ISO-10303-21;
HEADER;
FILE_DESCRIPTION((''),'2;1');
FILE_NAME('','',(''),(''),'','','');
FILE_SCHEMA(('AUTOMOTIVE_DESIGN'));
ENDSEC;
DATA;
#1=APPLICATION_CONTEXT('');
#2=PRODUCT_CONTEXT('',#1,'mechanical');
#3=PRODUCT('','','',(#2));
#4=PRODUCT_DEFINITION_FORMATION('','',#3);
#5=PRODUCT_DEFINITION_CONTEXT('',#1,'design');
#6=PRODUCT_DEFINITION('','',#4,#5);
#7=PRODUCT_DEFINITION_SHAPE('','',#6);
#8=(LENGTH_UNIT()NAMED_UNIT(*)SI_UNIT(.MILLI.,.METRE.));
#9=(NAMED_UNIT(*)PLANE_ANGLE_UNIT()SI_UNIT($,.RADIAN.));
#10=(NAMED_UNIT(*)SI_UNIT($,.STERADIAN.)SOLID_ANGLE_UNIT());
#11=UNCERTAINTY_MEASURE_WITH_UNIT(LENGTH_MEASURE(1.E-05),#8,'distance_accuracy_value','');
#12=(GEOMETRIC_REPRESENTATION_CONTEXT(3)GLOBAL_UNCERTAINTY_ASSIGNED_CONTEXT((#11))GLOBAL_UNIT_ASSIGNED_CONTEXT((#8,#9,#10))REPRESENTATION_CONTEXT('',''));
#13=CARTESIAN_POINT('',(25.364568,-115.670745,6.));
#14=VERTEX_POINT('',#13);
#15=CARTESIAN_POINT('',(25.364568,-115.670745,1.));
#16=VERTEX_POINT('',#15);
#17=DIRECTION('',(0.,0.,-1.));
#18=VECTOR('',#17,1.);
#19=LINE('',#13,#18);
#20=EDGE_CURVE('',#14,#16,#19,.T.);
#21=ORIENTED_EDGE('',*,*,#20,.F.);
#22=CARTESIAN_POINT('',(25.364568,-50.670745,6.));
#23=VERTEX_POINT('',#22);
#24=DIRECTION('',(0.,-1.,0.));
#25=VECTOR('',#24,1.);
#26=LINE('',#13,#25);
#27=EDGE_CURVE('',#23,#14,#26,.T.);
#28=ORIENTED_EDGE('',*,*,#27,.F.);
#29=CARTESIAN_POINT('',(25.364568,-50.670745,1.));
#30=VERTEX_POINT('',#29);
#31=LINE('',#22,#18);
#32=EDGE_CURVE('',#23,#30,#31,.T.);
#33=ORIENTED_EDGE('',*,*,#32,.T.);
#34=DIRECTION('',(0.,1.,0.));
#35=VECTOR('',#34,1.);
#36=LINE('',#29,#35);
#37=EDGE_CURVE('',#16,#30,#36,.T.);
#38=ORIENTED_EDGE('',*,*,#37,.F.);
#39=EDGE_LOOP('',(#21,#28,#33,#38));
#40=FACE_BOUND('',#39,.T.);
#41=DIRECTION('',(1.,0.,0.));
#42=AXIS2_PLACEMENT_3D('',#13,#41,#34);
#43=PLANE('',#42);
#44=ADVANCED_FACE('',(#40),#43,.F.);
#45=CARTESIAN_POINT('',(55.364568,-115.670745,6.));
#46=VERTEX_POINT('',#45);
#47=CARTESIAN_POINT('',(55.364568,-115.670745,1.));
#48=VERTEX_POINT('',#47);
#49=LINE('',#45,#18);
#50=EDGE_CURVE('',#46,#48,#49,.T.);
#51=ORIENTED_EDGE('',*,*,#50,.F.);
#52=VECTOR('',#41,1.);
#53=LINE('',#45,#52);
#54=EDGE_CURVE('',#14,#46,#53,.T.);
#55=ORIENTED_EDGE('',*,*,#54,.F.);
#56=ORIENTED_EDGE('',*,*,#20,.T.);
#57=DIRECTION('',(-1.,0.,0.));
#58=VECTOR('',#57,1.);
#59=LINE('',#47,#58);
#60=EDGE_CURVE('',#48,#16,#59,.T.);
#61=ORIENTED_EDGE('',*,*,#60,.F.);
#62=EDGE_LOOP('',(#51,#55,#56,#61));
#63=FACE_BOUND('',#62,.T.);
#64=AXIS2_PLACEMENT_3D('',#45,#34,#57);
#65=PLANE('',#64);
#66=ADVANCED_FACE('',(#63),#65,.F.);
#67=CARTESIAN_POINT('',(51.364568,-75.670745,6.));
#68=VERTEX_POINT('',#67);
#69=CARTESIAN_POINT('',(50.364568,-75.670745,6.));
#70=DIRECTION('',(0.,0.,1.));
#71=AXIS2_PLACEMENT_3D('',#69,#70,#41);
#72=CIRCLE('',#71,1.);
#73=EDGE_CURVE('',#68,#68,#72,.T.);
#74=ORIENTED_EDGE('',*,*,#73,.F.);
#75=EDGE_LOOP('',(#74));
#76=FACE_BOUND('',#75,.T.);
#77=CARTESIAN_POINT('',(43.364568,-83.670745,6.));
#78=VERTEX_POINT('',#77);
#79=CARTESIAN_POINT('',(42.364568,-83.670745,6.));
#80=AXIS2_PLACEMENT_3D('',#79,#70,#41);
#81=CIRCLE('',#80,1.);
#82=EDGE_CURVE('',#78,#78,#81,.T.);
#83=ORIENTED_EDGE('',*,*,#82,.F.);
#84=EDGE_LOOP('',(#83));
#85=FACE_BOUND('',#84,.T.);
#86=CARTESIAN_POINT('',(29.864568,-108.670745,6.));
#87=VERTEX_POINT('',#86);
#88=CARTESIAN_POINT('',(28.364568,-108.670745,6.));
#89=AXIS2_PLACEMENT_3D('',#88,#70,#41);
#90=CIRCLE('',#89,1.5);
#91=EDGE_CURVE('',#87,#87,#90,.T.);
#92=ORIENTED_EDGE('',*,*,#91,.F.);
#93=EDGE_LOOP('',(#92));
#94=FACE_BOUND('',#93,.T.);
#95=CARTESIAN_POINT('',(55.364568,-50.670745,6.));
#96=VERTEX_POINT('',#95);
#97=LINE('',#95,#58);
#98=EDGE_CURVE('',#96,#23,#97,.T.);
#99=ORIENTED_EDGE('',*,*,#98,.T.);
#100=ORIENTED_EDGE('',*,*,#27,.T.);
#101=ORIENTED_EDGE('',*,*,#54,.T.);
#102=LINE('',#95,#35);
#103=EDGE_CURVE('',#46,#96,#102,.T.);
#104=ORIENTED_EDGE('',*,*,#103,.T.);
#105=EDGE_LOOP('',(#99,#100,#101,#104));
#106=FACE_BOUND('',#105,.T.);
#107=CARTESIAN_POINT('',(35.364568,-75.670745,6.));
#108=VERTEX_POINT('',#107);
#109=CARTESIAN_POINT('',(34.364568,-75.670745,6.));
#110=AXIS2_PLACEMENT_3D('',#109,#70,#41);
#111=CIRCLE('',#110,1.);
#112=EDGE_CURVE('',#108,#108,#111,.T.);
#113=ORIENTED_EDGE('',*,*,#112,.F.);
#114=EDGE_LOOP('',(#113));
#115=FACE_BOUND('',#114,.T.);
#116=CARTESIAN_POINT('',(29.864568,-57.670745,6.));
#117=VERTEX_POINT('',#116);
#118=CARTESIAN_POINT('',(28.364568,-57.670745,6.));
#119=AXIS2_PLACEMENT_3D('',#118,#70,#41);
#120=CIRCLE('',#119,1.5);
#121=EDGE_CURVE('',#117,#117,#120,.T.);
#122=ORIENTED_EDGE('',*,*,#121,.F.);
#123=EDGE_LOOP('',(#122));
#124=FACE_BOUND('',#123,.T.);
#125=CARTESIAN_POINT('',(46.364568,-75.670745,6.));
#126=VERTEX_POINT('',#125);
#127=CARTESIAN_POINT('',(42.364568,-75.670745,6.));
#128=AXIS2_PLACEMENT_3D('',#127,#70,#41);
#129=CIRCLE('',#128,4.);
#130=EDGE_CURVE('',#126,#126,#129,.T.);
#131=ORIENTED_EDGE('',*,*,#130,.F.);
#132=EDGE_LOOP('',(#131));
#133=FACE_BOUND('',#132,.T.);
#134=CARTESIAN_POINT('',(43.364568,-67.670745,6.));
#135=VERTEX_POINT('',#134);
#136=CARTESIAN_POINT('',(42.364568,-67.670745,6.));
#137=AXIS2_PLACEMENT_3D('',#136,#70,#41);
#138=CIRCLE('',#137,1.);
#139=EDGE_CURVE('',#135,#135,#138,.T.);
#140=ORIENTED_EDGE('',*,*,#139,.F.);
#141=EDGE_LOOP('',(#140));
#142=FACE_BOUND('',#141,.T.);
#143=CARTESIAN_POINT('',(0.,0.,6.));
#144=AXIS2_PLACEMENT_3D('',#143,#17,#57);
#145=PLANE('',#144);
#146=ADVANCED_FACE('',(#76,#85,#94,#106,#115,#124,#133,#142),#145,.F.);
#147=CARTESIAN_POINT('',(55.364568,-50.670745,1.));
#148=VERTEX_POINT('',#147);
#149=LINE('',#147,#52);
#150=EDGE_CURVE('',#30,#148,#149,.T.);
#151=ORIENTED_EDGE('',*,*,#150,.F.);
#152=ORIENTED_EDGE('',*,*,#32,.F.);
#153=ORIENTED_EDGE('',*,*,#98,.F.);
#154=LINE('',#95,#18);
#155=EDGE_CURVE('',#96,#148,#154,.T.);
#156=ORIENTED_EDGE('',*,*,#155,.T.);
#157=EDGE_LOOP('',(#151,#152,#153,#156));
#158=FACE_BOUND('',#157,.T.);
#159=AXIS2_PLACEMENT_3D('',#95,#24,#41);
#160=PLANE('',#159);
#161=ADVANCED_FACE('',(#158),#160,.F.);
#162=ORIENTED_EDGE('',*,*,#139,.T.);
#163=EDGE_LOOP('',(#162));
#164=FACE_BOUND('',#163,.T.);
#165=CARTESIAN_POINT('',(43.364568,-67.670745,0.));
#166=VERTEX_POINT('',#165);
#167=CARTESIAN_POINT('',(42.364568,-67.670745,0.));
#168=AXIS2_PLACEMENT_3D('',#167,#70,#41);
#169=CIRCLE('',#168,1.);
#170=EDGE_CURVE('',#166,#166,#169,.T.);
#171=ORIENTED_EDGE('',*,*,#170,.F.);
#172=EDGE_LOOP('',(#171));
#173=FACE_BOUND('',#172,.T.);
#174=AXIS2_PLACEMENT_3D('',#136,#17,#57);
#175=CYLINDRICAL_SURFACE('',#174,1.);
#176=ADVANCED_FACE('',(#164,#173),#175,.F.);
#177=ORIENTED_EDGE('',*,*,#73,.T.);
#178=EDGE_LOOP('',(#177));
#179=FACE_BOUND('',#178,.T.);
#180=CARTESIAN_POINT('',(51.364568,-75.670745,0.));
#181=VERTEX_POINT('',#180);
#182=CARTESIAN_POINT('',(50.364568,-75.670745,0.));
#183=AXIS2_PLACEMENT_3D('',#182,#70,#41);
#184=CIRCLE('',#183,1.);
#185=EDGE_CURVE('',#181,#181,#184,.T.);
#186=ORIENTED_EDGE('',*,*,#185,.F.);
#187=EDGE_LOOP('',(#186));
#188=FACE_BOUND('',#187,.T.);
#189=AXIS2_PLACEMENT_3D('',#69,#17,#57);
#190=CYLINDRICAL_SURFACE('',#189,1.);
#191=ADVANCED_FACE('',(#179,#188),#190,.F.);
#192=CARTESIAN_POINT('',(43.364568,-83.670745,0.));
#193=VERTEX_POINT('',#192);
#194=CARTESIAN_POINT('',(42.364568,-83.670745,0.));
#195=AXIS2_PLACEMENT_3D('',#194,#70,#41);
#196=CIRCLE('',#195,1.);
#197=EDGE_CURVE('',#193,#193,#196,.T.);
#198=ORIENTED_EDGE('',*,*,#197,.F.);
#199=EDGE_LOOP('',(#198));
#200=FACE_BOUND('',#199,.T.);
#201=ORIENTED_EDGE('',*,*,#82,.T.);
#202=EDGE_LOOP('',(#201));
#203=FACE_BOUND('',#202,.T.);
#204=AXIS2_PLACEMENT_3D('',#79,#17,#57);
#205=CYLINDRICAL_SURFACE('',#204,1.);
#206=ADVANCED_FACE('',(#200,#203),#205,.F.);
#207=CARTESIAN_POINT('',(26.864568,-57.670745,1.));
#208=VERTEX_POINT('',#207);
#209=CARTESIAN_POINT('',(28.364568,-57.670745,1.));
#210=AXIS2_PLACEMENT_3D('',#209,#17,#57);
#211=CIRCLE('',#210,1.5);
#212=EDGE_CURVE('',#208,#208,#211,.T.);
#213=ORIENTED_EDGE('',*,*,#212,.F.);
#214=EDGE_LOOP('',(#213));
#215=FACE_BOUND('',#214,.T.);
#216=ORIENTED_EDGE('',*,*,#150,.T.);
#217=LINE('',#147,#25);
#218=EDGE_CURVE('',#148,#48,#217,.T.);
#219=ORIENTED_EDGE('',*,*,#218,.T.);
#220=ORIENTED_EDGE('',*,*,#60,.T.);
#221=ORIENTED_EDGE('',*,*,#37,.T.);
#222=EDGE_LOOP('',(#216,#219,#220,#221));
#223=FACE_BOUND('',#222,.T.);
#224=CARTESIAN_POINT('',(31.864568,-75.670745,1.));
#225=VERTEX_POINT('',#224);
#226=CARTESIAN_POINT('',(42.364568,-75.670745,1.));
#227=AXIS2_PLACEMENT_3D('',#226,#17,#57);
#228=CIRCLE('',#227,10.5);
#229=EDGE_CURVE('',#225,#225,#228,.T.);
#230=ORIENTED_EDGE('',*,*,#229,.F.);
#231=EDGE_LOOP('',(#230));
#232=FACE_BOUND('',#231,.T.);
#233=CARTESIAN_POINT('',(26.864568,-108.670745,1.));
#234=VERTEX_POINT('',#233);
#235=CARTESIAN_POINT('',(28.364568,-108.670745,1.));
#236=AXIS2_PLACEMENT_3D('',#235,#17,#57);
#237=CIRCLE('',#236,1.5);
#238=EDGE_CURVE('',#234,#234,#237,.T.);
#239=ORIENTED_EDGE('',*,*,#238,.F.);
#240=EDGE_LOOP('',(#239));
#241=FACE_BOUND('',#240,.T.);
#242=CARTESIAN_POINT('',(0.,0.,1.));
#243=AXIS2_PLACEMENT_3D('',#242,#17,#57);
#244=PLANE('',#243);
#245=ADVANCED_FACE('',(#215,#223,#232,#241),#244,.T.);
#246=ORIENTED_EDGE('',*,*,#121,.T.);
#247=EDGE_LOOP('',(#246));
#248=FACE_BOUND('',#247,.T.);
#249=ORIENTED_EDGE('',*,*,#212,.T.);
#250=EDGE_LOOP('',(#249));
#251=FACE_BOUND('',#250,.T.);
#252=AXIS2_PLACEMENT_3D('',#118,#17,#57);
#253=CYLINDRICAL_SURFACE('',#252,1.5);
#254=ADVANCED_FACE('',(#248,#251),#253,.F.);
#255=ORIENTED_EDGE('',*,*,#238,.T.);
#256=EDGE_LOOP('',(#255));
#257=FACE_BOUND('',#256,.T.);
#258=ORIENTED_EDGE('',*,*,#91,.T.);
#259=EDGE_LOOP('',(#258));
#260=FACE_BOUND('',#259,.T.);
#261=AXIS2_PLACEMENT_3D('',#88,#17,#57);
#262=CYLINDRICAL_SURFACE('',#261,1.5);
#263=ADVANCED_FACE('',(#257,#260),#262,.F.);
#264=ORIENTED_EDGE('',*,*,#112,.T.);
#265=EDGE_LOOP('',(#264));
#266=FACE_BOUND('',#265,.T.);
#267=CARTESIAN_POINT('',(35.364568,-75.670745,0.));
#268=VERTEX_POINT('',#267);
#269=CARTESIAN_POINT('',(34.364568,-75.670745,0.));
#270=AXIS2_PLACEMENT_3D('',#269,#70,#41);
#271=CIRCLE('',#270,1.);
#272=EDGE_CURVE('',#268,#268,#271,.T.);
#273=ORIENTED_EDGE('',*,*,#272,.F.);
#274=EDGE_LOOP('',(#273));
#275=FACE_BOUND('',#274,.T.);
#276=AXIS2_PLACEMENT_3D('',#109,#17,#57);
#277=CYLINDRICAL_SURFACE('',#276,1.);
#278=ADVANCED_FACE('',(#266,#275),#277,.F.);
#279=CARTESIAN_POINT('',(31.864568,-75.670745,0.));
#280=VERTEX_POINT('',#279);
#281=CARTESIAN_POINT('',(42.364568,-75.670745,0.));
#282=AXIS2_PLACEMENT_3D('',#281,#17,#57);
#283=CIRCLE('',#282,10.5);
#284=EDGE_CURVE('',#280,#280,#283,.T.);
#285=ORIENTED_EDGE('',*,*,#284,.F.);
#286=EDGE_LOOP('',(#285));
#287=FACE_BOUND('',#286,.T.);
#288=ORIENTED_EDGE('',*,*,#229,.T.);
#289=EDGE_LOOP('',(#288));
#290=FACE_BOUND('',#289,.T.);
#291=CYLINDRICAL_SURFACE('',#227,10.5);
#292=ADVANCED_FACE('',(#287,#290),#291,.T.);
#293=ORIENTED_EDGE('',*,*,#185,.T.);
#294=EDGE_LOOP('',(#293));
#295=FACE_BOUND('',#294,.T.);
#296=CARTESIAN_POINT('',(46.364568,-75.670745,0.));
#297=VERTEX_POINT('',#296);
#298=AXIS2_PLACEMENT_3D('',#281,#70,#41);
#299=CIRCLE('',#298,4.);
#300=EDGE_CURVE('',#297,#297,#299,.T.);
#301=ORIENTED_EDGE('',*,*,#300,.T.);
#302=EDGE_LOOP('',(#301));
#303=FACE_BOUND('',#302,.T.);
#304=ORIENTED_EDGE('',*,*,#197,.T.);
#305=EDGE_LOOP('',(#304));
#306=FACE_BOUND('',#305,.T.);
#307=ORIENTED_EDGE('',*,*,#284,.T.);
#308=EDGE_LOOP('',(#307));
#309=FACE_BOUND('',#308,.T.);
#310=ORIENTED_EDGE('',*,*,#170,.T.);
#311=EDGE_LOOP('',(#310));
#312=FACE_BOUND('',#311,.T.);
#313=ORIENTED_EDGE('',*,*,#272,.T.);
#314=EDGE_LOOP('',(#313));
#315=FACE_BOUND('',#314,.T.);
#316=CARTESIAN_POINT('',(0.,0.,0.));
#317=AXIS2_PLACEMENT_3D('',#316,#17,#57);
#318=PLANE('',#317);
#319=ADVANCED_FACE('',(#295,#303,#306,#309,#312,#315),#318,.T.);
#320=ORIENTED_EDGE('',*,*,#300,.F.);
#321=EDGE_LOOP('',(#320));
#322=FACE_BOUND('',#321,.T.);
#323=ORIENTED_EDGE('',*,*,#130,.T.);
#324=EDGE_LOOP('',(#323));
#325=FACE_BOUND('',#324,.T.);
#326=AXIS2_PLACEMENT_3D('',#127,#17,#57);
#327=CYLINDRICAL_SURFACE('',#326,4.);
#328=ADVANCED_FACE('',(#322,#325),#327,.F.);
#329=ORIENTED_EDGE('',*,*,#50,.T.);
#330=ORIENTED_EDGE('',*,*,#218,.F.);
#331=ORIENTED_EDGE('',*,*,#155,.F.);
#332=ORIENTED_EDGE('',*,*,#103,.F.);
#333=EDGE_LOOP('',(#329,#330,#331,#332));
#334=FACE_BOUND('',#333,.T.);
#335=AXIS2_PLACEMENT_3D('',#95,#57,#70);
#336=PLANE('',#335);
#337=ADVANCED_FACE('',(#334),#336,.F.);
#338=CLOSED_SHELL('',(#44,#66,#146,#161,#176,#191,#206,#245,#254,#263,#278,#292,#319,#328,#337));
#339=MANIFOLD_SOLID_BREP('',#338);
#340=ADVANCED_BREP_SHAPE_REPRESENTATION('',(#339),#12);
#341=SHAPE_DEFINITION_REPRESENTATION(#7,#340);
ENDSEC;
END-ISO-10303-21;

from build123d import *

# Parameters (mm, degrees)
ESQUISSE1_W             = 30
ESQUISSE1_H             = 65
ESQUISSE1_R             = 1.5
ESQUISSE1_R_2           = 1
ESQUISSE1_R_3           = 4
BOSS_EXTRU_1_DEPTH      = 6
ESQUISSE5_W             = 30
ESQUISSE5_H             = 65
ESQUISSE5_R             = 10.5
ENL_V_MAT_EXTRU_4_DEPTH = 1


with BuildPart() as part:
    # Esquisse1 → Boss.-Extru.1 (new body)
    with BuildSketch(Plane.XY):
        with Locations((40.364568032, -83.170745263)):
            Rectangle(ESQUISSE1_W, ESQUISSE1_H)
        with Locations((28.364568032, -57.670745263)):
            Circle(ESQUISSE1_R, mode=Mode.SUBTRACT)
        with Locations((28.364568032, -108.670745263)):
            Circle(ESQUISSE1_R, mode=Mode.SUBTRACT)
        with Locations((34.364568032, -75.670745263)):
            Circle(ESQUISSE1_R_2, mode=Mode.SUBTRACT)
        with Locations((42.364568032, -67.670745263)):
            Circle(ESQUISSE1_R_2, mode=Mode.SUBTRACT)
        with Locations((50.364568032, -75.670745263)):
            Circle(ESQUISSE1_R_2, mode=Mode.SUBTRACT)
        with Locations((42.364568032, -83.670745263)):
            Circle(ESQUISSE1_R_2, mode=Mode.SUBTRACT)
        with Locations((42.364568032, -75.670745263)):
            Circle(ESQUISSE1_R_3, mode=Mode.SUBTRACT)
    extrude(amount=BOSS_EXTRU_1_DEPTH)

    # Esquisse5 → Enlèv. mat.-Extru.4 (cut)
    with BuildSketch(Plane(origin=(0, 0, 0), x_dir=(-1, 0, 0), z_dir=(0, 0, -1))):
        with Locations((-40.364568032, -83.170745263)):
            Rectangle(ESQUISSE5_W, ESQUISSE5_H)
        with Locations((-42.364568032, -75.670745263)):
            Circle(ESQUISSE5_R, mode=Mode.SUBTRACT)
    extrude(amount=-ENL_V_MAT_EXTRU_4_DEPTH, mode=Mode.SUBTRACT)


solid = part.part
